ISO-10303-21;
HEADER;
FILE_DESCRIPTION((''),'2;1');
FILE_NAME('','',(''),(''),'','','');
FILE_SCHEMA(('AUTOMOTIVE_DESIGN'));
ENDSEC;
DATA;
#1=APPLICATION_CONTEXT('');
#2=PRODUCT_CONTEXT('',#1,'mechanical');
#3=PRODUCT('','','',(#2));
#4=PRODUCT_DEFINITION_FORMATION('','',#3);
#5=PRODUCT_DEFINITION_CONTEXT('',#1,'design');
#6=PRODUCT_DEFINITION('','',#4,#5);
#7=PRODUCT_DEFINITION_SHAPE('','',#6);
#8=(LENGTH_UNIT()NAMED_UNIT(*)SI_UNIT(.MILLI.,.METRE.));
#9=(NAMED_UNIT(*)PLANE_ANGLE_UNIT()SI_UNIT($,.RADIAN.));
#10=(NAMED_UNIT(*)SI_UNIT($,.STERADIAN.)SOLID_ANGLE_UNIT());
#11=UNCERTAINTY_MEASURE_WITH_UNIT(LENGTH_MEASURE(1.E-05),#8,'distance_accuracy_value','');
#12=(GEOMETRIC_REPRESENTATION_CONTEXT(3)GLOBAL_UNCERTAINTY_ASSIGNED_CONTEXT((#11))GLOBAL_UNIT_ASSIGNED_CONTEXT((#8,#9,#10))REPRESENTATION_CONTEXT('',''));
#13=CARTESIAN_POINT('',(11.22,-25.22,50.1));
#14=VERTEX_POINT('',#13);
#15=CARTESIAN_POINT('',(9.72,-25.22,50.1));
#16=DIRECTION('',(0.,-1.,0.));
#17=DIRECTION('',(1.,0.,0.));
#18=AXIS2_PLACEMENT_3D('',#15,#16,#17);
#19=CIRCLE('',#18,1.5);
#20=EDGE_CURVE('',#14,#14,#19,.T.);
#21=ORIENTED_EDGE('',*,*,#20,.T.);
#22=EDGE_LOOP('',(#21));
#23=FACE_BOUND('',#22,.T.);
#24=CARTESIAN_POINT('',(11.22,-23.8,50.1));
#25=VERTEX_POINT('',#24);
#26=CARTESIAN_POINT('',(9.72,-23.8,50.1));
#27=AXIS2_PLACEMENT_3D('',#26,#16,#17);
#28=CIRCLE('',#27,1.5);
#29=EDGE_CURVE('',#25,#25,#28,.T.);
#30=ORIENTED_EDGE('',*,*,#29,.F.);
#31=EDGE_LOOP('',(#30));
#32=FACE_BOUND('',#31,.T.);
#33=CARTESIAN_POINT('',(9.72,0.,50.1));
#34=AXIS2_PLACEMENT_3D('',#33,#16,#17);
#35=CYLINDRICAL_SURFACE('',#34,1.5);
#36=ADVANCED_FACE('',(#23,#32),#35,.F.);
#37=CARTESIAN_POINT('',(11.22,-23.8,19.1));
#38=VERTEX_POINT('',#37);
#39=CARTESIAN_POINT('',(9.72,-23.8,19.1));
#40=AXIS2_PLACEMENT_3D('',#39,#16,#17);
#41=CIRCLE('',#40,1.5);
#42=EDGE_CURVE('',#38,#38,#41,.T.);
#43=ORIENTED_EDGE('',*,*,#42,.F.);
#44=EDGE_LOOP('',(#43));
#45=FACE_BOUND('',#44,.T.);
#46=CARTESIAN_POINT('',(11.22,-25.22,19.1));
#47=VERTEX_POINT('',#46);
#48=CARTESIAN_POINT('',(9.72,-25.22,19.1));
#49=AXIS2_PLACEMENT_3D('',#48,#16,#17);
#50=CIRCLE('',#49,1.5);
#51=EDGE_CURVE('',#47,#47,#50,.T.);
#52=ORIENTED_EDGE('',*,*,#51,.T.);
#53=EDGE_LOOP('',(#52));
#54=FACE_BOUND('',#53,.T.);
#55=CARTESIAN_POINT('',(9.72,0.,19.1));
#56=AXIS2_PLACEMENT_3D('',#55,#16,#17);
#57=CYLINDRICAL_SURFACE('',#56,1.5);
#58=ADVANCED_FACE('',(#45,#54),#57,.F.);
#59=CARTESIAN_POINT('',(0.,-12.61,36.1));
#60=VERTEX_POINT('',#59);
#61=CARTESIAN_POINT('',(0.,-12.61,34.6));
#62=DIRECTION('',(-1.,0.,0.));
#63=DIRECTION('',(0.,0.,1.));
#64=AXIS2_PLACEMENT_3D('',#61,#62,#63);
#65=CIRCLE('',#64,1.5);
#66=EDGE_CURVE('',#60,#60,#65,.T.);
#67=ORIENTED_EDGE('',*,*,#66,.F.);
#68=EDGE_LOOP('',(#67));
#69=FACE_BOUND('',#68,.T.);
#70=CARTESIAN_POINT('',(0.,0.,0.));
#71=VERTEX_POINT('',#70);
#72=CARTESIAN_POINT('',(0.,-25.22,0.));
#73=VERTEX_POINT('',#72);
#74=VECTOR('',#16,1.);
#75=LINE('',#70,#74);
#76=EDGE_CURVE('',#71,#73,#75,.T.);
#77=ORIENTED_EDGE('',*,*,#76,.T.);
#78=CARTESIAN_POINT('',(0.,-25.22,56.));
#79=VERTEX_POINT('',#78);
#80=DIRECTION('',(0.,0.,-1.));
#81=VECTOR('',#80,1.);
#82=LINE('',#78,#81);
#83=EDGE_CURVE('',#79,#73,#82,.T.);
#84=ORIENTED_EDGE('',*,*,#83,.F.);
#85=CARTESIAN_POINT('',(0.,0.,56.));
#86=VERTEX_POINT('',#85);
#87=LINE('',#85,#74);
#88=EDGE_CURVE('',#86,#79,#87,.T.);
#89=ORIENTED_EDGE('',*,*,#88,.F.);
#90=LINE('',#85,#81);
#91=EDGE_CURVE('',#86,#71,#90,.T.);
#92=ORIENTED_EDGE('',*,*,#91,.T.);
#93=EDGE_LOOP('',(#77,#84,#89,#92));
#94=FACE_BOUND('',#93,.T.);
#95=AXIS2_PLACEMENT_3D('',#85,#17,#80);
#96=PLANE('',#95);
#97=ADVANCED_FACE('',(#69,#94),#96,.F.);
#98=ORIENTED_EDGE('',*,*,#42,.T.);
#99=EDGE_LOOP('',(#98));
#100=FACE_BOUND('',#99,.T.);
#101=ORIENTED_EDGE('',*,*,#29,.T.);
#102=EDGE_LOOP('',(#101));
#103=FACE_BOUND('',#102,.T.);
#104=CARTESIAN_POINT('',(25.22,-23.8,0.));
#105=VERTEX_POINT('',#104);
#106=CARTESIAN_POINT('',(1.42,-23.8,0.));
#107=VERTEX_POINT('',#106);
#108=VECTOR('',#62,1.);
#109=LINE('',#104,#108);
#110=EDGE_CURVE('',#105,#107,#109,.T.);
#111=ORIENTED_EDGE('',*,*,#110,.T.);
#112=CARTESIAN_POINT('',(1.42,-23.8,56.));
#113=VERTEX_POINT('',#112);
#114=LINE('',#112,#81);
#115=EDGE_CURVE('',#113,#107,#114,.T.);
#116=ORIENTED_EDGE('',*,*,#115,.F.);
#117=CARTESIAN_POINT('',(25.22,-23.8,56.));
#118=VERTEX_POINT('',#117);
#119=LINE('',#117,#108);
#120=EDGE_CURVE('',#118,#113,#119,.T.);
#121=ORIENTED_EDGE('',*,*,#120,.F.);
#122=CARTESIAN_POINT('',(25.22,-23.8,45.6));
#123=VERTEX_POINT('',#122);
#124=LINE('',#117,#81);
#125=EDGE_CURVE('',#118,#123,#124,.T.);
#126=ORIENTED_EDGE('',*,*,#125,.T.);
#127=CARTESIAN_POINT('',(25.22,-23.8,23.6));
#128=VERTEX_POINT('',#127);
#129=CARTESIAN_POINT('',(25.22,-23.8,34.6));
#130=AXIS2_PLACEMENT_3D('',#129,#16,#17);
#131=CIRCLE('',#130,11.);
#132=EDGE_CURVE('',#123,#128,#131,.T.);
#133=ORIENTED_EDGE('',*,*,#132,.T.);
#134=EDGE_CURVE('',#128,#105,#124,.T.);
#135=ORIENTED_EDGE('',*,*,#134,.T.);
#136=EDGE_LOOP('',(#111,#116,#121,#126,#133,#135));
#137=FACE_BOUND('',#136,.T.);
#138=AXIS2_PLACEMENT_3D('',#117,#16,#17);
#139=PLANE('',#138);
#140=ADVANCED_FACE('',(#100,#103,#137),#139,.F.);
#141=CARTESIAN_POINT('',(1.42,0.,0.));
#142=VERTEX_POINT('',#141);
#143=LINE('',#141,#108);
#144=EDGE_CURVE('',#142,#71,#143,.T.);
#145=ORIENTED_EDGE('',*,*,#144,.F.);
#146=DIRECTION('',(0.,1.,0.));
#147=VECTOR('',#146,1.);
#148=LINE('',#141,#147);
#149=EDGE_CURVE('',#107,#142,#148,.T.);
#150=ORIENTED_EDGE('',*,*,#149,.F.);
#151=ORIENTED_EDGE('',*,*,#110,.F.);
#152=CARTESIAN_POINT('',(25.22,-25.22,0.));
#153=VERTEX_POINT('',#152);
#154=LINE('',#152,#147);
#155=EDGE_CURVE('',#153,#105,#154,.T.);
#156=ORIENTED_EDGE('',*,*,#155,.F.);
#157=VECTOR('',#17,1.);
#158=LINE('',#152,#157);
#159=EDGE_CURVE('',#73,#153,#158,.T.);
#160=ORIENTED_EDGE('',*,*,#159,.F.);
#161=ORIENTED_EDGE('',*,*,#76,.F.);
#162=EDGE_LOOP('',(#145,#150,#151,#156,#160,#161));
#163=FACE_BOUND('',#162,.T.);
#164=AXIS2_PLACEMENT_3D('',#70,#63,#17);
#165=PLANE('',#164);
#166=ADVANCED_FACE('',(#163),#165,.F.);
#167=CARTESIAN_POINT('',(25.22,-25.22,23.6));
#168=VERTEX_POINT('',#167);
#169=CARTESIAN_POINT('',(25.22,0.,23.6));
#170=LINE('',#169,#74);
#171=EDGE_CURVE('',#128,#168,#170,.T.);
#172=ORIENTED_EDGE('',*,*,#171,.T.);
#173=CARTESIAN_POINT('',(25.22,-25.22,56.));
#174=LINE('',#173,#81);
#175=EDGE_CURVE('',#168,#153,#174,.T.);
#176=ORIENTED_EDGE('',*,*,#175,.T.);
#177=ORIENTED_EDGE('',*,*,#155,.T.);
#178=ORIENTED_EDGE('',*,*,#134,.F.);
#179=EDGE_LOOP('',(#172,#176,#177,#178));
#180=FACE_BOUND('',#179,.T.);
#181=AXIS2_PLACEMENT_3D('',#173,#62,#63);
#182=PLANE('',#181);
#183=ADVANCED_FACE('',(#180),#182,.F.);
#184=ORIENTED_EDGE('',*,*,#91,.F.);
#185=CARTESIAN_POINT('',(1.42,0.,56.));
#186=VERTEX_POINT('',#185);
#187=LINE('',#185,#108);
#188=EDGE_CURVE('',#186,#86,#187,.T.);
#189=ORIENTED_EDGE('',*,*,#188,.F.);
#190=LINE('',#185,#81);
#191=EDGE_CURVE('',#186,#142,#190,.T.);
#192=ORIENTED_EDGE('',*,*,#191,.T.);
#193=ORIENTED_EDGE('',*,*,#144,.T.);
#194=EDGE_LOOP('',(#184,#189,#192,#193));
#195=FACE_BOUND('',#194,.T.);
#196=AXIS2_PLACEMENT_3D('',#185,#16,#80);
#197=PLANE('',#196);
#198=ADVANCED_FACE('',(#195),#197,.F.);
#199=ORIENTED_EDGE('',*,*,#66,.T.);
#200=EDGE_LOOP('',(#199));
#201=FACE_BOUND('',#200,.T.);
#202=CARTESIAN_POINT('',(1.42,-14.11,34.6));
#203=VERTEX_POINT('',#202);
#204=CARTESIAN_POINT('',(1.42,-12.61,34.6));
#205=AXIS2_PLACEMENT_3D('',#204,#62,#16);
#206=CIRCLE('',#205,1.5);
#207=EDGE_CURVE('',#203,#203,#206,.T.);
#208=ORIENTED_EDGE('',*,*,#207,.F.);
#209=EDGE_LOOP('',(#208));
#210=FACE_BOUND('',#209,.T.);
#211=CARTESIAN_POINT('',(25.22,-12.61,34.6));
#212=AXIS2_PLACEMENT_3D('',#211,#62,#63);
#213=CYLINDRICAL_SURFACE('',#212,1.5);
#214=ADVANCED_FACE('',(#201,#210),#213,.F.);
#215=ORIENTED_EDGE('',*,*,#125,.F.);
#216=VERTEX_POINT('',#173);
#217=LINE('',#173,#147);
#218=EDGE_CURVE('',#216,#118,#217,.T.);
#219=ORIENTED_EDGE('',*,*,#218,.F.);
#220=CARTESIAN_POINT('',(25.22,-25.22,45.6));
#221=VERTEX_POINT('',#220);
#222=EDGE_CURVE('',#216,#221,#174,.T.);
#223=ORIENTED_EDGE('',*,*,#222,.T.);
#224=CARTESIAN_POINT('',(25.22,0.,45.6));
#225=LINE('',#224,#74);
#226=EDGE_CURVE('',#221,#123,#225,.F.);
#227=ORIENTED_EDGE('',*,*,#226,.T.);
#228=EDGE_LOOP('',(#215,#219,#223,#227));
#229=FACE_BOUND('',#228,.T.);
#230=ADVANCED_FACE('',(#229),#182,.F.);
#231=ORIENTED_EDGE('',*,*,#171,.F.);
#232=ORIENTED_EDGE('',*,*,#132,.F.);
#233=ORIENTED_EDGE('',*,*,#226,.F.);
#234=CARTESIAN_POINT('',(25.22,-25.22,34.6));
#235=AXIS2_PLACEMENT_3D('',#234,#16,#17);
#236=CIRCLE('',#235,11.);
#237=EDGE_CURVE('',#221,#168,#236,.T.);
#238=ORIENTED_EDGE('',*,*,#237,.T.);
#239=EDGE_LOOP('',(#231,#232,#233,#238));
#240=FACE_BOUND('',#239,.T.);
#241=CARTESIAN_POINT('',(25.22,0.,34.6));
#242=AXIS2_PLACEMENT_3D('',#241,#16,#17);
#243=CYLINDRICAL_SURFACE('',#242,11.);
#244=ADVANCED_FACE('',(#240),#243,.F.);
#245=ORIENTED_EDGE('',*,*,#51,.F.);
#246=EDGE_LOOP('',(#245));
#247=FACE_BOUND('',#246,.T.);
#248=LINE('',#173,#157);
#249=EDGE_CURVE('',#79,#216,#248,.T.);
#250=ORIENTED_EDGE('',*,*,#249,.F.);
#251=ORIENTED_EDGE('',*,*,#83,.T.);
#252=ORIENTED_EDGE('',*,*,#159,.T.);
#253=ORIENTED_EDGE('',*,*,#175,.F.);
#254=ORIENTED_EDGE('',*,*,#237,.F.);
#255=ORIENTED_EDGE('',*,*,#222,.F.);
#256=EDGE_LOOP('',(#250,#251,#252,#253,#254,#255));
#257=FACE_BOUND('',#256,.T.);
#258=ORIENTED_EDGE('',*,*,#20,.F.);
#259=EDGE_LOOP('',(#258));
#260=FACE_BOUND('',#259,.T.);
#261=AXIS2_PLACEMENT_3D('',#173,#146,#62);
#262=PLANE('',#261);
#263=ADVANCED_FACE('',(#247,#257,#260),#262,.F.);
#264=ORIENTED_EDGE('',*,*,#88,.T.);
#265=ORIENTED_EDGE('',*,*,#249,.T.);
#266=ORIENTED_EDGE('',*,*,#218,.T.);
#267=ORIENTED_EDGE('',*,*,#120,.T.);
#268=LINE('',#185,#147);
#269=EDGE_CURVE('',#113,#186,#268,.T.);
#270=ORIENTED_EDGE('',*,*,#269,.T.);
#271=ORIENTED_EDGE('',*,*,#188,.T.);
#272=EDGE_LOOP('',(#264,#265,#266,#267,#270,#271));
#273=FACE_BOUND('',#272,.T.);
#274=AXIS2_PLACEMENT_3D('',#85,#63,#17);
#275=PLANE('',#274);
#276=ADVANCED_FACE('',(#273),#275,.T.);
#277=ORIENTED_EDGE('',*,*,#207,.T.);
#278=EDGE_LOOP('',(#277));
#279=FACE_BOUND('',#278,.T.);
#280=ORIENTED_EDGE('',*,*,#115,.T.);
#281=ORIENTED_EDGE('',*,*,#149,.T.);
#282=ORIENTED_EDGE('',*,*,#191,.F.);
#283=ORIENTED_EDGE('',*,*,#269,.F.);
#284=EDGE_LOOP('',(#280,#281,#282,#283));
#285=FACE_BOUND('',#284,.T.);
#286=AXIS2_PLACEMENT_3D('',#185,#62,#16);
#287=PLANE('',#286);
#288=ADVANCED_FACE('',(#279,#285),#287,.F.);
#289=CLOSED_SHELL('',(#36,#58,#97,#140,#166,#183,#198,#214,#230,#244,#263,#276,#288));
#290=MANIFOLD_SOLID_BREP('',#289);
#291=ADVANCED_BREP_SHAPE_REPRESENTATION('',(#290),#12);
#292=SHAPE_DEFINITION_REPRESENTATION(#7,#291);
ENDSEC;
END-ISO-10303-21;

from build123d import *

# Parameters (mm, degrees)
EXTRUDE1_DEPTH     = 56
SKETCH2_R          = 1.5
CUT_EXTRUDE1_DEPTH = 26.22
SKETCH3_R          = 11
CUT_EXTRUDE2_DEPTH = 26.22
SKETCH4_R          = 1.5
CUT_EXTRUDE3_DEPTH = 26.22
SKETCH5_R          = 1.5
CUT_EXTRUDE4_DEPTH = 26.22


with BuildPart() as part:
    # Sketch1 → Extrude1 (new body)
    with BuildSketch(Plane.XY):
        Polygon((0, 0), (0, -25.22), (25.22, -25.22), (25.22, -23.8), (1.42, -23.8), (1.42, 0), align=None)
    extrude(amount=EXTRUDE1_DEPTH)

    # Sketch2 → Cut-Extrude1 (cut, through all)
    with BuildSketch(Plane.ZY):
        with Locations((34.6, -12.61)):
            Circle(SKETCH2_R)
    extrude(amount=-CUT_EXTRUDE1_DEPTH, mode=Mode.SUBTRACT)

    # Sketch3 → Cut-Extrude2 (cut, through all)
    with BuildSketch(Plane.XZ.offset(25.22)):
        with Locations((25.22, 34.6)):
            Circle(SKETCH3_R)
    extrude(amount=-CUT_EXTRUDE2_DEPTH, mode=Mode.SUBTRACT)

    # Sketch4 → Cut-Extrude3 (cut, through all)
    with BuildSketch(Plane.XZ.offset(25.22)):
        with Locations((9.72, 19.1)):
            Circle(SKETCH4_R)
    extrude(amount=-CUT_EXTRUDE3_DEPTH, mode=Mode.SUBTRACT)

    # Sketch5 → Cut-Extrude4 (cut, through all)
    with BuildSketch(Plane.XZ.offset(25.22)):
        with Locations((9.72, 50.1)):
            Circle(SKETCH5_R)
    extrude(amount=-CUT_EXTRUDE4_DEPTH, mode=Mode.SUBTRACT)


solid = part.part
